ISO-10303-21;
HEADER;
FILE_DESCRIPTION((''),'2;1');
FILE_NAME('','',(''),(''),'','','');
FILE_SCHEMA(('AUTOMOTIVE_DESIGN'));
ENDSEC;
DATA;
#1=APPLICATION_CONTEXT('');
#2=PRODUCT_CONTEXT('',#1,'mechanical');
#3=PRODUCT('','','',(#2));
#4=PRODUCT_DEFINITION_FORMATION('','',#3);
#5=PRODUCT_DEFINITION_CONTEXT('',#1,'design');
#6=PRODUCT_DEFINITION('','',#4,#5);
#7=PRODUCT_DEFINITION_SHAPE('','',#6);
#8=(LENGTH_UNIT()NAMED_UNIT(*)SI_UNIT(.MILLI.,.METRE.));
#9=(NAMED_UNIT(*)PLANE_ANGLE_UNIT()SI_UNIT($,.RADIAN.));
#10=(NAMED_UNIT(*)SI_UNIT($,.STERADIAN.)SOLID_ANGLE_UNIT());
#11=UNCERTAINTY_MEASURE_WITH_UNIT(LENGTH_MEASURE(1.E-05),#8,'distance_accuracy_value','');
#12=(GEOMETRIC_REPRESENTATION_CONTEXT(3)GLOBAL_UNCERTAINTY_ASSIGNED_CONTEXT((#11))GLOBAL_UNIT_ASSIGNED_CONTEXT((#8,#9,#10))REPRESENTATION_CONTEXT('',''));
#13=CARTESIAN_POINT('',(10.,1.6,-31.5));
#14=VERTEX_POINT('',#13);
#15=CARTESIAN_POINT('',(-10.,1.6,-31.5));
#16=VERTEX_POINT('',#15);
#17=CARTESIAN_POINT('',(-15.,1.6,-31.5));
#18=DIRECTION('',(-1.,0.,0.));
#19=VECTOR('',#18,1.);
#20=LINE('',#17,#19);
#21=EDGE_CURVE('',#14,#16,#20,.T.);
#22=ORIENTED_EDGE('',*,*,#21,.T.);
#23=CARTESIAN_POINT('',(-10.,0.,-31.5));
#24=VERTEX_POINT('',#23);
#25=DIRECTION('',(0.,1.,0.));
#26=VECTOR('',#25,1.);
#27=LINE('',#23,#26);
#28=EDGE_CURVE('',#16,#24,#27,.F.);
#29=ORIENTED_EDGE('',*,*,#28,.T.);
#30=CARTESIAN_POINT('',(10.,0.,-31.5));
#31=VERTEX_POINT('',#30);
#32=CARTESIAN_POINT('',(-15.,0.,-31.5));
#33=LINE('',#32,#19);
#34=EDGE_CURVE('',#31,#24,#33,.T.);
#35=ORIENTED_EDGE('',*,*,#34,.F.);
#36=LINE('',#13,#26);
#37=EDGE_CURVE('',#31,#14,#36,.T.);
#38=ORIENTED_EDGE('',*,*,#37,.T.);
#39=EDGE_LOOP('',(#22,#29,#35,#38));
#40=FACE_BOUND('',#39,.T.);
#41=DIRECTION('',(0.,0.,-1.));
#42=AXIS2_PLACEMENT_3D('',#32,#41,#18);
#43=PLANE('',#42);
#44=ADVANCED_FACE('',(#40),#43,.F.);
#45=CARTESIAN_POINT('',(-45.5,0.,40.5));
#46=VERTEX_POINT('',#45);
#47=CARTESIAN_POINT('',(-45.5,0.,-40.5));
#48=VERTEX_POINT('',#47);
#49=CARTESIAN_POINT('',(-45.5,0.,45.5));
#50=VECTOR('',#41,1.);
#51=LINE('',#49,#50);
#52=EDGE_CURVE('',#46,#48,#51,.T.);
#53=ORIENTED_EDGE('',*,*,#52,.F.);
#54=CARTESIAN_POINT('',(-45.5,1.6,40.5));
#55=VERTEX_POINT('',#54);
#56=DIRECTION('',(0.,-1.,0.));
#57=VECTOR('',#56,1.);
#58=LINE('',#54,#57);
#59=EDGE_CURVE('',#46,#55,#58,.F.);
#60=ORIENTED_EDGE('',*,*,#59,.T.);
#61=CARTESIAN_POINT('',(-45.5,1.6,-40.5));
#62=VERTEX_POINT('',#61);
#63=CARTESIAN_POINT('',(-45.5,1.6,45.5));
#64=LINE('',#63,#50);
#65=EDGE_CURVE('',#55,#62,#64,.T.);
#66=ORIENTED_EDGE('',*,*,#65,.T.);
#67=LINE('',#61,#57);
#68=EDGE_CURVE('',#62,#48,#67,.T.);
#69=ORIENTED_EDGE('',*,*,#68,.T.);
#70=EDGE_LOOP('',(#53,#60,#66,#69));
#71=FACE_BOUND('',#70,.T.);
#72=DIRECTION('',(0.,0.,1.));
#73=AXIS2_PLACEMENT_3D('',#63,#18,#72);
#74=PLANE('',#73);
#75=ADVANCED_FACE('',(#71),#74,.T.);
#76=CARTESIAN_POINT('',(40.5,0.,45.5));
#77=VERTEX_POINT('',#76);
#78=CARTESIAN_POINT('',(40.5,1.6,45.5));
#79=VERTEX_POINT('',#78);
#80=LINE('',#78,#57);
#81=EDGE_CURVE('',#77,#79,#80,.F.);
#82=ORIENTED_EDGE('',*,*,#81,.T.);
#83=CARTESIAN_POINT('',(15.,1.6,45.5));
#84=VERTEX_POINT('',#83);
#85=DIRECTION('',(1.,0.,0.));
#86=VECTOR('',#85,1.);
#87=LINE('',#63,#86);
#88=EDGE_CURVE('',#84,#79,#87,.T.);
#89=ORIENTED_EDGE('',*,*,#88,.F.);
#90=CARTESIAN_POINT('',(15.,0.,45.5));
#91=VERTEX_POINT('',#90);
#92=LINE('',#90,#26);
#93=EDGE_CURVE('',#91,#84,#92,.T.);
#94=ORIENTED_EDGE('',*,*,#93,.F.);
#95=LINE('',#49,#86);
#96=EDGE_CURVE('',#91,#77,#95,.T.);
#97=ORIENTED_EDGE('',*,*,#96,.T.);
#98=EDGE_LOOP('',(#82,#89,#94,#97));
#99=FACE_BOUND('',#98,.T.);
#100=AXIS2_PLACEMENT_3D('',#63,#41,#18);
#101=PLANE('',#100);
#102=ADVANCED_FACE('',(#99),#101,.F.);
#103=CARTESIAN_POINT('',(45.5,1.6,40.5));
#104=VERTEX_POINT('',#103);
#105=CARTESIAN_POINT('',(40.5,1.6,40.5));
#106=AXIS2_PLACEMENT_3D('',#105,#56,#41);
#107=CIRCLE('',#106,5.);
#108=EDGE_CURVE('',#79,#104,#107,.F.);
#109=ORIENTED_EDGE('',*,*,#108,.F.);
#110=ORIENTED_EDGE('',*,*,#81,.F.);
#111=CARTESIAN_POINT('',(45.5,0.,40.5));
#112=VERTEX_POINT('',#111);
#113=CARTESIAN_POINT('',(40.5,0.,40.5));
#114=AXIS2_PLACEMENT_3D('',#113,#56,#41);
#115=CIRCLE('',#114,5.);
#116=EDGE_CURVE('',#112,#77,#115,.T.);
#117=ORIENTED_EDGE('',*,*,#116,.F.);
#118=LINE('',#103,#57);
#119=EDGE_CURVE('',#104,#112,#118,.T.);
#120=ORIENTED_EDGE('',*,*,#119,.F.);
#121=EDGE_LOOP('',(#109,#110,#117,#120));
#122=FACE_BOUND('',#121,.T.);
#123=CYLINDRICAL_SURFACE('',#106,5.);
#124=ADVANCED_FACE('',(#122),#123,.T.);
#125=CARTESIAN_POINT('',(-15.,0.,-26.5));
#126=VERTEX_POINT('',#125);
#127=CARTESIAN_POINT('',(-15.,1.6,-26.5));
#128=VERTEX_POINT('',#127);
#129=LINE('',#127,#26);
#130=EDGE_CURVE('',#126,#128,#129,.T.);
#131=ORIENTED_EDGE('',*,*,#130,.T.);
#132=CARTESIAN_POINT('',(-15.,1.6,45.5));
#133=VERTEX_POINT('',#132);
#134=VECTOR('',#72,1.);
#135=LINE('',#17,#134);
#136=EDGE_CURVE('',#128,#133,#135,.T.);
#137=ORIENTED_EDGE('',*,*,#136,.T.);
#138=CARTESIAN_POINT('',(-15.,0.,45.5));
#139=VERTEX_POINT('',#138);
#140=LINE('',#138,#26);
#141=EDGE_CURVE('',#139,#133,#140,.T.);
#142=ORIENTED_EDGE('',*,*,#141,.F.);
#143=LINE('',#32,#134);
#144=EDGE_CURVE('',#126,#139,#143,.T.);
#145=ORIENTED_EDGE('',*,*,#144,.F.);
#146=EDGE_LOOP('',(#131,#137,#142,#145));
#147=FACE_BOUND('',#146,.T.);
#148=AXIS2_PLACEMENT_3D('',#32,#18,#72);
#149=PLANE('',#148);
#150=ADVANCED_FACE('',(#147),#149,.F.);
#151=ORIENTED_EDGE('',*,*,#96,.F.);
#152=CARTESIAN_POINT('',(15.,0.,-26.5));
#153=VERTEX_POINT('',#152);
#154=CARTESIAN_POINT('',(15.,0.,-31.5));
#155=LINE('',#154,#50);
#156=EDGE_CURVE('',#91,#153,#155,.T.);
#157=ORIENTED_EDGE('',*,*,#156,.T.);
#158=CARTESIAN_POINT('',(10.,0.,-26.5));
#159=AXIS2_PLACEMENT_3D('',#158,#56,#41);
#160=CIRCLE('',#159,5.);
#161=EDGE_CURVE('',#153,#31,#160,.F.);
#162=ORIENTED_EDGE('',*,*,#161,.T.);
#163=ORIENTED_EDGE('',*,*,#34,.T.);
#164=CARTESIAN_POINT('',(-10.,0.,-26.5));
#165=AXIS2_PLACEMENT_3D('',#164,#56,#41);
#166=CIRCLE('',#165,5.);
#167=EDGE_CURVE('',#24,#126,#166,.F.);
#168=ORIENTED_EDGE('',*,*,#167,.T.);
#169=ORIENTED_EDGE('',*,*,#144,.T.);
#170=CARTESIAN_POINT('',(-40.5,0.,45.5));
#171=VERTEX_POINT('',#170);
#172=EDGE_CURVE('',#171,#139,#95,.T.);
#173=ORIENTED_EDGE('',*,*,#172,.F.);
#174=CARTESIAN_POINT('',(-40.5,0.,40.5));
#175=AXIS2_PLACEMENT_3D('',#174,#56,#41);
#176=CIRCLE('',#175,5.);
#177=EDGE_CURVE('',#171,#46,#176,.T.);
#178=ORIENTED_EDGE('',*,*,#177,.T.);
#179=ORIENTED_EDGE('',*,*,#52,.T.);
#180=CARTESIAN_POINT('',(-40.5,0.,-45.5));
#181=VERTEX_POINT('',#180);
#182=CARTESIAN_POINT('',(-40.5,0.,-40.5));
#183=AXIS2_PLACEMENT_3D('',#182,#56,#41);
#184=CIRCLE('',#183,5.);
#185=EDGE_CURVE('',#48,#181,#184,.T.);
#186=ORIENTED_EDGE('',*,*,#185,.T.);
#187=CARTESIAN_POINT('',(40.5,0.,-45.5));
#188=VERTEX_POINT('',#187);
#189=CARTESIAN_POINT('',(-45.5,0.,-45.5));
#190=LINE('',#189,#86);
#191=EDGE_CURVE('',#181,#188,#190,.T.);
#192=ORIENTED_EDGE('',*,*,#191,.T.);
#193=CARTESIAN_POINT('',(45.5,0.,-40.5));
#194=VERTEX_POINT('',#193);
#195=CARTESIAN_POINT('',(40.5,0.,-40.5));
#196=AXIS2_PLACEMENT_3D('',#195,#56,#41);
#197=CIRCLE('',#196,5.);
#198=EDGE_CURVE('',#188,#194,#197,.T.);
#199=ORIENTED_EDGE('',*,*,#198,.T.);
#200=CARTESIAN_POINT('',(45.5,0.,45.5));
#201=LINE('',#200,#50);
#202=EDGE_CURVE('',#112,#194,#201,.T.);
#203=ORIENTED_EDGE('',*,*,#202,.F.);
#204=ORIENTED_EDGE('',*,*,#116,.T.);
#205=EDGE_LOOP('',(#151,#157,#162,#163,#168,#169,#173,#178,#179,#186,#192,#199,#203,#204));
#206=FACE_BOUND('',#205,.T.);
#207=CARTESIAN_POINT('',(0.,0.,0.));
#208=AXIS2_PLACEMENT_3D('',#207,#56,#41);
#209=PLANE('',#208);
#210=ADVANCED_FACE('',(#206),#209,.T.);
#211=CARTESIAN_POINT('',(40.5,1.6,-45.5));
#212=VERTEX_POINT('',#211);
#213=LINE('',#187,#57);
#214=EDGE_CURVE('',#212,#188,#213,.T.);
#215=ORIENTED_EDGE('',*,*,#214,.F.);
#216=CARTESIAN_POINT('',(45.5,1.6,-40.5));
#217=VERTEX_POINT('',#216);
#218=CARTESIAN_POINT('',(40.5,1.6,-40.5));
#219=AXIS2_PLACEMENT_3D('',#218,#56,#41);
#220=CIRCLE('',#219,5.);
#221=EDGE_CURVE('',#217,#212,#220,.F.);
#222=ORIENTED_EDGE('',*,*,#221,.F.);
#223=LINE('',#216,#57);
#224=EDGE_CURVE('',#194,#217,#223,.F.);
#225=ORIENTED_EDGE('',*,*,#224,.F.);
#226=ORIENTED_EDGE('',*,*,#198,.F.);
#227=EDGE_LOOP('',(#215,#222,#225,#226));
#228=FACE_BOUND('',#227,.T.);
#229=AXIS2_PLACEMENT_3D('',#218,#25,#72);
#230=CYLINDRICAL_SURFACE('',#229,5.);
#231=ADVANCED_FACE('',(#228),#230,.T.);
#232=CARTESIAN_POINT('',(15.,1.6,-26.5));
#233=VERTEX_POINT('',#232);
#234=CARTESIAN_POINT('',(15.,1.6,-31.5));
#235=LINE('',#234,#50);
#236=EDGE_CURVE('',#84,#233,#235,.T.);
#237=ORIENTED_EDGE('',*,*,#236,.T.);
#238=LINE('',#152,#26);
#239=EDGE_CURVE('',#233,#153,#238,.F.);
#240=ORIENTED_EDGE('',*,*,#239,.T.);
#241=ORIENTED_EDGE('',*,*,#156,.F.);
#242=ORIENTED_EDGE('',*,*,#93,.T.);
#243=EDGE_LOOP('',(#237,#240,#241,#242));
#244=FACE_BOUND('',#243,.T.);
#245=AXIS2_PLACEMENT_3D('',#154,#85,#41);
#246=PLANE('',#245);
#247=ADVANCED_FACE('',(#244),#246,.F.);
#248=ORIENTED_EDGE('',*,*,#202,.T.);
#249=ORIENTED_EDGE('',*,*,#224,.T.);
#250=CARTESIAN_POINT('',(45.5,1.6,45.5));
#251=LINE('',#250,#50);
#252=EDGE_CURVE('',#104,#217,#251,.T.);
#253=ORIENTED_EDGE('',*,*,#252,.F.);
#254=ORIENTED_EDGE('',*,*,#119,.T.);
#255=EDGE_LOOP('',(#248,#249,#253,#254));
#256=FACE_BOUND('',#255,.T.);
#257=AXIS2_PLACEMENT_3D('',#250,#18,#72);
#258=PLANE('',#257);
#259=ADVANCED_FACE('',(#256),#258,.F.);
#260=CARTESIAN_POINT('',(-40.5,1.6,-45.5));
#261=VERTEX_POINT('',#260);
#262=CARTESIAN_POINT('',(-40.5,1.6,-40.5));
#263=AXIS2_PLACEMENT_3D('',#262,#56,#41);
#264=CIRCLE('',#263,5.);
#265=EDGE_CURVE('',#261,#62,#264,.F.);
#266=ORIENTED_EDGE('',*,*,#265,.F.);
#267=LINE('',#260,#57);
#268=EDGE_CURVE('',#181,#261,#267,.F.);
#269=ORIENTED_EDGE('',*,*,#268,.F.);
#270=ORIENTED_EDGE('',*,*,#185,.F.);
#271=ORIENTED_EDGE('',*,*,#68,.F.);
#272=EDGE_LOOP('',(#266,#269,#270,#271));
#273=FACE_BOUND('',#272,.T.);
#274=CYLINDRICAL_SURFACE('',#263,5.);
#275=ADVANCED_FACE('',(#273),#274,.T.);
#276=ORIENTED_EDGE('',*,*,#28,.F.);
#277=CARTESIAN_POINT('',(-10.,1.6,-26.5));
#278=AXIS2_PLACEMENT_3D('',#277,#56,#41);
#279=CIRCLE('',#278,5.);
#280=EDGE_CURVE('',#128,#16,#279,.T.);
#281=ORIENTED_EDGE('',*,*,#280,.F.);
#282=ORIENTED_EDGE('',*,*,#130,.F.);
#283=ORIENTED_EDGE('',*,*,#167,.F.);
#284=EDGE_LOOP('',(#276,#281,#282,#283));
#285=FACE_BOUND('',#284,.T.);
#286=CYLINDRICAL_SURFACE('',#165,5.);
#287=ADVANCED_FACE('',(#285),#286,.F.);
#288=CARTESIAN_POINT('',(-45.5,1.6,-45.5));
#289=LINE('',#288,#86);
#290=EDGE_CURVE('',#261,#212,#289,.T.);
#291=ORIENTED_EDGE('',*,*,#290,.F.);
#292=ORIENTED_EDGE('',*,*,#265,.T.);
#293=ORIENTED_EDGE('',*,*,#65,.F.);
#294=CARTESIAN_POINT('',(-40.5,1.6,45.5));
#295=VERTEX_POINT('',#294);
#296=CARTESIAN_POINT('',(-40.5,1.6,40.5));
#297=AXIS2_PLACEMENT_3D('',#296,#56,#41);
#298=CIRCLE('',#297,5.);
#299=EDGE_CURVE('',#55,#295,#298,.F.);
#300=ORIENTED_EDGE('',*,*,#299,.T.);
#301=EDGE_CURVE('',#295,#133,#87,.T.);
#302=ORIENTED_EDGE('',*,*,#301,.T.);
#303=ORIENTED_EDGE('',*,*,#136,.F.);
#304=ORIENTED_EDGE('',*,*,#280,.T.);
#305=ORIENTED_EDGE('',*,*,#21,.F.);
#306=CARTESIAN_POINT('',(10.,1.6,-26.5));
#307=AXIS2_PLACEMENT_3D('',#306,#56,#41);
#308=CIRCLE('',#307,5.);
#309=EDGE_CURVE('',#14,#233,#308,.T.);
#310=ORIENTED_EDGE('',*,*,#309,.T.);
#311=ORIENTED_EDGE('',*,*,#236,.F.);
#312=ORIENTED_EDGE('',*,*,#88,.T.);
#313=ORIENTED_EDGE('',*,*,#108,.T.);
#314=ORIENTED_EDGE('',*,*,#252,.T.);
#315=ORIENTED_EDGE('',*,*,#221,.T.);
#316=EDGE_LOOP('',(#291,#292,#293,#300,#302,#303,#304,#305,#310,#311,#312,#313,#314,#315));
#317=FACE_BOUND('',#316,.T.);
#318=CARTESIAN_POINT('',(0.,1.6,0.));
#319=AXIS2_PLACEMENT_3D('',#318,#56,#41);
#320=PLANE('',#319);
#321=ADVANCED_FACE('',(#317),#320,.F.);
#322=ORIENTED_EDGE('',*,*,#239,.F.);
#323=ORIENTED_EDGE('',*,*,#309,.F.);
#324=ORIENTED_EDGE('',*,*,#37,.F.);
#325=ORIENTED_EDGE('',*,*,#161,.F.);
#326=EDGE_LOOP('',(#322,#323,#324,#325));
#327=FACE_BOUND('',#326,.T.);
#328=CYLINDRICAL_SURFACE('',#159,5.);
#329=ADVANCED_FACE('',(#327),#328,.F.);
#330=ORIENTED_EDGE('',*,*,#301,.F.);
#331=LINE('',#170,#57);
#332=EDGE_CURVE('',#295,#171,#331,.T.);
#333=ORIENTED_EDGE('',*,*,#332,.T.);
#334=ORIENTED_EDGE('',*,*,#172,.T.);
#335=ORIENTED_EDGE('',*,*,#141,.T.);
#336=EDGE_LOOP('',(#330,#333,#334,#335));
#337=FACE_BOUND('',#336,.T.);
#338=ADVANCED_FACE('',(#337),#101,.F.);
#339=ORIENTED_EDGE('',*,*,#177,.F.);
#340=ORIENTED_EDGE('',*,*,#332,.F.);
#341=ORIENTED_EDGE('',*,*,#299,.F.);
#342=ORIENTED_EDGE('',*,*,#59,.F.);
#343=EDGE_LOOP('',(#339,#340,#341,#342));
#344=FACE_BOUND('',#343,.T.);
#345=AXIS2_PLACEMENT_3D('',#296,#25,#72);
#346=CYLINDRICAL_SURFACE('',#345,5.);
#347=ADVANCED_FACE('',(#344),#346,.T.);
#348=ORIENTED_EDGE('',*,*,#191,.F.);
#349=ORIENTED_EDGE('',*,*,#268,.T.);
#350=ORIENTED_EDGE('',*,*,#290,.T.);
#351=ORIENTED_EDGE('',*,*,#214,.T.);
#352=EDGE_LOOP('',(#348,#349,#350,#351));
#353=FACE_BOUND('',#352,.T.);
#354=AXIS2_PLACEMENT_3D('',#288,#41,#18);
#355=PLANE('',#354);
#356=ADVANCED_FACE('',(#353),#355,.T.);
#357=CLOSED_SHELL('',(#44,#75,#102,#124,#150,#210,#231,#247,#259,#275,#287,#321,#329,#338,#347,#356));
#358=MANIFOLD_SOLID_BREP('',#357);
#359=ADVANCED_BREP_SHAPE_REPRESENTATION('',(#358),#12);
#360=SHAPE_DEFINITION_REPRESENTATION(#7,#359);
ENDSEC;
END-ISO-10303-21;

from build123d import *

# Parameters (mm, degrees)
SKETCH1_W           = 91
SKETCH1_H           = 91
BOSS_EXTRUDE1_DEPTH = 1.6
SKETCH2_W           = 30
SKETCH2_H           = 77
CUT_EXTRUDE1_DEPTH  = 65.366606249
FILLET1_R           = 5


with BuildPart() as part:
    # Sketch1 → Boss-Extrude1 (new body)
    with BuildSketch(Plane(origin=(0, 0, 0), x_dir=(1, 0, 0), z_dir=(0, 1, 0))):
        Rectangle(SKETCH1_W, SKETCH1_H)
    extrude(amount=BOSS_EXTRUDE1_DEPTH)

    # Sketch2 → Cut-Extrude1 (cut, through all)
    with BuildSketch(Plane(origin=(0, 1.6, 0), x_dir=(1, 0, 0), z_dir=(0, 1, 0))):
        with Locations((0, -7)):
            Rectangle(SKETCH2_W, SKETCH2_H)
    extrude(amount=-CUT_EXTRUDE1_DEPTH, mode=Mode.SUBTRACT)

    # Fillet1
    fillet1_edges = [part.edges().sort_by_distance(p)[0] for p in [
        (15, 0.8, -31.5),
        (-15, 0.8, -31.5),
        (-45.5, 0.8, 45.5),
        (45.5, 0.8, 45.5),
        (45.5, 0.8, -45.5),
        (-45.5, 0.8, -45.5),
    ]]
    fillet(fillet1_edges, radius=FILLET1_R)


solid = part.part
